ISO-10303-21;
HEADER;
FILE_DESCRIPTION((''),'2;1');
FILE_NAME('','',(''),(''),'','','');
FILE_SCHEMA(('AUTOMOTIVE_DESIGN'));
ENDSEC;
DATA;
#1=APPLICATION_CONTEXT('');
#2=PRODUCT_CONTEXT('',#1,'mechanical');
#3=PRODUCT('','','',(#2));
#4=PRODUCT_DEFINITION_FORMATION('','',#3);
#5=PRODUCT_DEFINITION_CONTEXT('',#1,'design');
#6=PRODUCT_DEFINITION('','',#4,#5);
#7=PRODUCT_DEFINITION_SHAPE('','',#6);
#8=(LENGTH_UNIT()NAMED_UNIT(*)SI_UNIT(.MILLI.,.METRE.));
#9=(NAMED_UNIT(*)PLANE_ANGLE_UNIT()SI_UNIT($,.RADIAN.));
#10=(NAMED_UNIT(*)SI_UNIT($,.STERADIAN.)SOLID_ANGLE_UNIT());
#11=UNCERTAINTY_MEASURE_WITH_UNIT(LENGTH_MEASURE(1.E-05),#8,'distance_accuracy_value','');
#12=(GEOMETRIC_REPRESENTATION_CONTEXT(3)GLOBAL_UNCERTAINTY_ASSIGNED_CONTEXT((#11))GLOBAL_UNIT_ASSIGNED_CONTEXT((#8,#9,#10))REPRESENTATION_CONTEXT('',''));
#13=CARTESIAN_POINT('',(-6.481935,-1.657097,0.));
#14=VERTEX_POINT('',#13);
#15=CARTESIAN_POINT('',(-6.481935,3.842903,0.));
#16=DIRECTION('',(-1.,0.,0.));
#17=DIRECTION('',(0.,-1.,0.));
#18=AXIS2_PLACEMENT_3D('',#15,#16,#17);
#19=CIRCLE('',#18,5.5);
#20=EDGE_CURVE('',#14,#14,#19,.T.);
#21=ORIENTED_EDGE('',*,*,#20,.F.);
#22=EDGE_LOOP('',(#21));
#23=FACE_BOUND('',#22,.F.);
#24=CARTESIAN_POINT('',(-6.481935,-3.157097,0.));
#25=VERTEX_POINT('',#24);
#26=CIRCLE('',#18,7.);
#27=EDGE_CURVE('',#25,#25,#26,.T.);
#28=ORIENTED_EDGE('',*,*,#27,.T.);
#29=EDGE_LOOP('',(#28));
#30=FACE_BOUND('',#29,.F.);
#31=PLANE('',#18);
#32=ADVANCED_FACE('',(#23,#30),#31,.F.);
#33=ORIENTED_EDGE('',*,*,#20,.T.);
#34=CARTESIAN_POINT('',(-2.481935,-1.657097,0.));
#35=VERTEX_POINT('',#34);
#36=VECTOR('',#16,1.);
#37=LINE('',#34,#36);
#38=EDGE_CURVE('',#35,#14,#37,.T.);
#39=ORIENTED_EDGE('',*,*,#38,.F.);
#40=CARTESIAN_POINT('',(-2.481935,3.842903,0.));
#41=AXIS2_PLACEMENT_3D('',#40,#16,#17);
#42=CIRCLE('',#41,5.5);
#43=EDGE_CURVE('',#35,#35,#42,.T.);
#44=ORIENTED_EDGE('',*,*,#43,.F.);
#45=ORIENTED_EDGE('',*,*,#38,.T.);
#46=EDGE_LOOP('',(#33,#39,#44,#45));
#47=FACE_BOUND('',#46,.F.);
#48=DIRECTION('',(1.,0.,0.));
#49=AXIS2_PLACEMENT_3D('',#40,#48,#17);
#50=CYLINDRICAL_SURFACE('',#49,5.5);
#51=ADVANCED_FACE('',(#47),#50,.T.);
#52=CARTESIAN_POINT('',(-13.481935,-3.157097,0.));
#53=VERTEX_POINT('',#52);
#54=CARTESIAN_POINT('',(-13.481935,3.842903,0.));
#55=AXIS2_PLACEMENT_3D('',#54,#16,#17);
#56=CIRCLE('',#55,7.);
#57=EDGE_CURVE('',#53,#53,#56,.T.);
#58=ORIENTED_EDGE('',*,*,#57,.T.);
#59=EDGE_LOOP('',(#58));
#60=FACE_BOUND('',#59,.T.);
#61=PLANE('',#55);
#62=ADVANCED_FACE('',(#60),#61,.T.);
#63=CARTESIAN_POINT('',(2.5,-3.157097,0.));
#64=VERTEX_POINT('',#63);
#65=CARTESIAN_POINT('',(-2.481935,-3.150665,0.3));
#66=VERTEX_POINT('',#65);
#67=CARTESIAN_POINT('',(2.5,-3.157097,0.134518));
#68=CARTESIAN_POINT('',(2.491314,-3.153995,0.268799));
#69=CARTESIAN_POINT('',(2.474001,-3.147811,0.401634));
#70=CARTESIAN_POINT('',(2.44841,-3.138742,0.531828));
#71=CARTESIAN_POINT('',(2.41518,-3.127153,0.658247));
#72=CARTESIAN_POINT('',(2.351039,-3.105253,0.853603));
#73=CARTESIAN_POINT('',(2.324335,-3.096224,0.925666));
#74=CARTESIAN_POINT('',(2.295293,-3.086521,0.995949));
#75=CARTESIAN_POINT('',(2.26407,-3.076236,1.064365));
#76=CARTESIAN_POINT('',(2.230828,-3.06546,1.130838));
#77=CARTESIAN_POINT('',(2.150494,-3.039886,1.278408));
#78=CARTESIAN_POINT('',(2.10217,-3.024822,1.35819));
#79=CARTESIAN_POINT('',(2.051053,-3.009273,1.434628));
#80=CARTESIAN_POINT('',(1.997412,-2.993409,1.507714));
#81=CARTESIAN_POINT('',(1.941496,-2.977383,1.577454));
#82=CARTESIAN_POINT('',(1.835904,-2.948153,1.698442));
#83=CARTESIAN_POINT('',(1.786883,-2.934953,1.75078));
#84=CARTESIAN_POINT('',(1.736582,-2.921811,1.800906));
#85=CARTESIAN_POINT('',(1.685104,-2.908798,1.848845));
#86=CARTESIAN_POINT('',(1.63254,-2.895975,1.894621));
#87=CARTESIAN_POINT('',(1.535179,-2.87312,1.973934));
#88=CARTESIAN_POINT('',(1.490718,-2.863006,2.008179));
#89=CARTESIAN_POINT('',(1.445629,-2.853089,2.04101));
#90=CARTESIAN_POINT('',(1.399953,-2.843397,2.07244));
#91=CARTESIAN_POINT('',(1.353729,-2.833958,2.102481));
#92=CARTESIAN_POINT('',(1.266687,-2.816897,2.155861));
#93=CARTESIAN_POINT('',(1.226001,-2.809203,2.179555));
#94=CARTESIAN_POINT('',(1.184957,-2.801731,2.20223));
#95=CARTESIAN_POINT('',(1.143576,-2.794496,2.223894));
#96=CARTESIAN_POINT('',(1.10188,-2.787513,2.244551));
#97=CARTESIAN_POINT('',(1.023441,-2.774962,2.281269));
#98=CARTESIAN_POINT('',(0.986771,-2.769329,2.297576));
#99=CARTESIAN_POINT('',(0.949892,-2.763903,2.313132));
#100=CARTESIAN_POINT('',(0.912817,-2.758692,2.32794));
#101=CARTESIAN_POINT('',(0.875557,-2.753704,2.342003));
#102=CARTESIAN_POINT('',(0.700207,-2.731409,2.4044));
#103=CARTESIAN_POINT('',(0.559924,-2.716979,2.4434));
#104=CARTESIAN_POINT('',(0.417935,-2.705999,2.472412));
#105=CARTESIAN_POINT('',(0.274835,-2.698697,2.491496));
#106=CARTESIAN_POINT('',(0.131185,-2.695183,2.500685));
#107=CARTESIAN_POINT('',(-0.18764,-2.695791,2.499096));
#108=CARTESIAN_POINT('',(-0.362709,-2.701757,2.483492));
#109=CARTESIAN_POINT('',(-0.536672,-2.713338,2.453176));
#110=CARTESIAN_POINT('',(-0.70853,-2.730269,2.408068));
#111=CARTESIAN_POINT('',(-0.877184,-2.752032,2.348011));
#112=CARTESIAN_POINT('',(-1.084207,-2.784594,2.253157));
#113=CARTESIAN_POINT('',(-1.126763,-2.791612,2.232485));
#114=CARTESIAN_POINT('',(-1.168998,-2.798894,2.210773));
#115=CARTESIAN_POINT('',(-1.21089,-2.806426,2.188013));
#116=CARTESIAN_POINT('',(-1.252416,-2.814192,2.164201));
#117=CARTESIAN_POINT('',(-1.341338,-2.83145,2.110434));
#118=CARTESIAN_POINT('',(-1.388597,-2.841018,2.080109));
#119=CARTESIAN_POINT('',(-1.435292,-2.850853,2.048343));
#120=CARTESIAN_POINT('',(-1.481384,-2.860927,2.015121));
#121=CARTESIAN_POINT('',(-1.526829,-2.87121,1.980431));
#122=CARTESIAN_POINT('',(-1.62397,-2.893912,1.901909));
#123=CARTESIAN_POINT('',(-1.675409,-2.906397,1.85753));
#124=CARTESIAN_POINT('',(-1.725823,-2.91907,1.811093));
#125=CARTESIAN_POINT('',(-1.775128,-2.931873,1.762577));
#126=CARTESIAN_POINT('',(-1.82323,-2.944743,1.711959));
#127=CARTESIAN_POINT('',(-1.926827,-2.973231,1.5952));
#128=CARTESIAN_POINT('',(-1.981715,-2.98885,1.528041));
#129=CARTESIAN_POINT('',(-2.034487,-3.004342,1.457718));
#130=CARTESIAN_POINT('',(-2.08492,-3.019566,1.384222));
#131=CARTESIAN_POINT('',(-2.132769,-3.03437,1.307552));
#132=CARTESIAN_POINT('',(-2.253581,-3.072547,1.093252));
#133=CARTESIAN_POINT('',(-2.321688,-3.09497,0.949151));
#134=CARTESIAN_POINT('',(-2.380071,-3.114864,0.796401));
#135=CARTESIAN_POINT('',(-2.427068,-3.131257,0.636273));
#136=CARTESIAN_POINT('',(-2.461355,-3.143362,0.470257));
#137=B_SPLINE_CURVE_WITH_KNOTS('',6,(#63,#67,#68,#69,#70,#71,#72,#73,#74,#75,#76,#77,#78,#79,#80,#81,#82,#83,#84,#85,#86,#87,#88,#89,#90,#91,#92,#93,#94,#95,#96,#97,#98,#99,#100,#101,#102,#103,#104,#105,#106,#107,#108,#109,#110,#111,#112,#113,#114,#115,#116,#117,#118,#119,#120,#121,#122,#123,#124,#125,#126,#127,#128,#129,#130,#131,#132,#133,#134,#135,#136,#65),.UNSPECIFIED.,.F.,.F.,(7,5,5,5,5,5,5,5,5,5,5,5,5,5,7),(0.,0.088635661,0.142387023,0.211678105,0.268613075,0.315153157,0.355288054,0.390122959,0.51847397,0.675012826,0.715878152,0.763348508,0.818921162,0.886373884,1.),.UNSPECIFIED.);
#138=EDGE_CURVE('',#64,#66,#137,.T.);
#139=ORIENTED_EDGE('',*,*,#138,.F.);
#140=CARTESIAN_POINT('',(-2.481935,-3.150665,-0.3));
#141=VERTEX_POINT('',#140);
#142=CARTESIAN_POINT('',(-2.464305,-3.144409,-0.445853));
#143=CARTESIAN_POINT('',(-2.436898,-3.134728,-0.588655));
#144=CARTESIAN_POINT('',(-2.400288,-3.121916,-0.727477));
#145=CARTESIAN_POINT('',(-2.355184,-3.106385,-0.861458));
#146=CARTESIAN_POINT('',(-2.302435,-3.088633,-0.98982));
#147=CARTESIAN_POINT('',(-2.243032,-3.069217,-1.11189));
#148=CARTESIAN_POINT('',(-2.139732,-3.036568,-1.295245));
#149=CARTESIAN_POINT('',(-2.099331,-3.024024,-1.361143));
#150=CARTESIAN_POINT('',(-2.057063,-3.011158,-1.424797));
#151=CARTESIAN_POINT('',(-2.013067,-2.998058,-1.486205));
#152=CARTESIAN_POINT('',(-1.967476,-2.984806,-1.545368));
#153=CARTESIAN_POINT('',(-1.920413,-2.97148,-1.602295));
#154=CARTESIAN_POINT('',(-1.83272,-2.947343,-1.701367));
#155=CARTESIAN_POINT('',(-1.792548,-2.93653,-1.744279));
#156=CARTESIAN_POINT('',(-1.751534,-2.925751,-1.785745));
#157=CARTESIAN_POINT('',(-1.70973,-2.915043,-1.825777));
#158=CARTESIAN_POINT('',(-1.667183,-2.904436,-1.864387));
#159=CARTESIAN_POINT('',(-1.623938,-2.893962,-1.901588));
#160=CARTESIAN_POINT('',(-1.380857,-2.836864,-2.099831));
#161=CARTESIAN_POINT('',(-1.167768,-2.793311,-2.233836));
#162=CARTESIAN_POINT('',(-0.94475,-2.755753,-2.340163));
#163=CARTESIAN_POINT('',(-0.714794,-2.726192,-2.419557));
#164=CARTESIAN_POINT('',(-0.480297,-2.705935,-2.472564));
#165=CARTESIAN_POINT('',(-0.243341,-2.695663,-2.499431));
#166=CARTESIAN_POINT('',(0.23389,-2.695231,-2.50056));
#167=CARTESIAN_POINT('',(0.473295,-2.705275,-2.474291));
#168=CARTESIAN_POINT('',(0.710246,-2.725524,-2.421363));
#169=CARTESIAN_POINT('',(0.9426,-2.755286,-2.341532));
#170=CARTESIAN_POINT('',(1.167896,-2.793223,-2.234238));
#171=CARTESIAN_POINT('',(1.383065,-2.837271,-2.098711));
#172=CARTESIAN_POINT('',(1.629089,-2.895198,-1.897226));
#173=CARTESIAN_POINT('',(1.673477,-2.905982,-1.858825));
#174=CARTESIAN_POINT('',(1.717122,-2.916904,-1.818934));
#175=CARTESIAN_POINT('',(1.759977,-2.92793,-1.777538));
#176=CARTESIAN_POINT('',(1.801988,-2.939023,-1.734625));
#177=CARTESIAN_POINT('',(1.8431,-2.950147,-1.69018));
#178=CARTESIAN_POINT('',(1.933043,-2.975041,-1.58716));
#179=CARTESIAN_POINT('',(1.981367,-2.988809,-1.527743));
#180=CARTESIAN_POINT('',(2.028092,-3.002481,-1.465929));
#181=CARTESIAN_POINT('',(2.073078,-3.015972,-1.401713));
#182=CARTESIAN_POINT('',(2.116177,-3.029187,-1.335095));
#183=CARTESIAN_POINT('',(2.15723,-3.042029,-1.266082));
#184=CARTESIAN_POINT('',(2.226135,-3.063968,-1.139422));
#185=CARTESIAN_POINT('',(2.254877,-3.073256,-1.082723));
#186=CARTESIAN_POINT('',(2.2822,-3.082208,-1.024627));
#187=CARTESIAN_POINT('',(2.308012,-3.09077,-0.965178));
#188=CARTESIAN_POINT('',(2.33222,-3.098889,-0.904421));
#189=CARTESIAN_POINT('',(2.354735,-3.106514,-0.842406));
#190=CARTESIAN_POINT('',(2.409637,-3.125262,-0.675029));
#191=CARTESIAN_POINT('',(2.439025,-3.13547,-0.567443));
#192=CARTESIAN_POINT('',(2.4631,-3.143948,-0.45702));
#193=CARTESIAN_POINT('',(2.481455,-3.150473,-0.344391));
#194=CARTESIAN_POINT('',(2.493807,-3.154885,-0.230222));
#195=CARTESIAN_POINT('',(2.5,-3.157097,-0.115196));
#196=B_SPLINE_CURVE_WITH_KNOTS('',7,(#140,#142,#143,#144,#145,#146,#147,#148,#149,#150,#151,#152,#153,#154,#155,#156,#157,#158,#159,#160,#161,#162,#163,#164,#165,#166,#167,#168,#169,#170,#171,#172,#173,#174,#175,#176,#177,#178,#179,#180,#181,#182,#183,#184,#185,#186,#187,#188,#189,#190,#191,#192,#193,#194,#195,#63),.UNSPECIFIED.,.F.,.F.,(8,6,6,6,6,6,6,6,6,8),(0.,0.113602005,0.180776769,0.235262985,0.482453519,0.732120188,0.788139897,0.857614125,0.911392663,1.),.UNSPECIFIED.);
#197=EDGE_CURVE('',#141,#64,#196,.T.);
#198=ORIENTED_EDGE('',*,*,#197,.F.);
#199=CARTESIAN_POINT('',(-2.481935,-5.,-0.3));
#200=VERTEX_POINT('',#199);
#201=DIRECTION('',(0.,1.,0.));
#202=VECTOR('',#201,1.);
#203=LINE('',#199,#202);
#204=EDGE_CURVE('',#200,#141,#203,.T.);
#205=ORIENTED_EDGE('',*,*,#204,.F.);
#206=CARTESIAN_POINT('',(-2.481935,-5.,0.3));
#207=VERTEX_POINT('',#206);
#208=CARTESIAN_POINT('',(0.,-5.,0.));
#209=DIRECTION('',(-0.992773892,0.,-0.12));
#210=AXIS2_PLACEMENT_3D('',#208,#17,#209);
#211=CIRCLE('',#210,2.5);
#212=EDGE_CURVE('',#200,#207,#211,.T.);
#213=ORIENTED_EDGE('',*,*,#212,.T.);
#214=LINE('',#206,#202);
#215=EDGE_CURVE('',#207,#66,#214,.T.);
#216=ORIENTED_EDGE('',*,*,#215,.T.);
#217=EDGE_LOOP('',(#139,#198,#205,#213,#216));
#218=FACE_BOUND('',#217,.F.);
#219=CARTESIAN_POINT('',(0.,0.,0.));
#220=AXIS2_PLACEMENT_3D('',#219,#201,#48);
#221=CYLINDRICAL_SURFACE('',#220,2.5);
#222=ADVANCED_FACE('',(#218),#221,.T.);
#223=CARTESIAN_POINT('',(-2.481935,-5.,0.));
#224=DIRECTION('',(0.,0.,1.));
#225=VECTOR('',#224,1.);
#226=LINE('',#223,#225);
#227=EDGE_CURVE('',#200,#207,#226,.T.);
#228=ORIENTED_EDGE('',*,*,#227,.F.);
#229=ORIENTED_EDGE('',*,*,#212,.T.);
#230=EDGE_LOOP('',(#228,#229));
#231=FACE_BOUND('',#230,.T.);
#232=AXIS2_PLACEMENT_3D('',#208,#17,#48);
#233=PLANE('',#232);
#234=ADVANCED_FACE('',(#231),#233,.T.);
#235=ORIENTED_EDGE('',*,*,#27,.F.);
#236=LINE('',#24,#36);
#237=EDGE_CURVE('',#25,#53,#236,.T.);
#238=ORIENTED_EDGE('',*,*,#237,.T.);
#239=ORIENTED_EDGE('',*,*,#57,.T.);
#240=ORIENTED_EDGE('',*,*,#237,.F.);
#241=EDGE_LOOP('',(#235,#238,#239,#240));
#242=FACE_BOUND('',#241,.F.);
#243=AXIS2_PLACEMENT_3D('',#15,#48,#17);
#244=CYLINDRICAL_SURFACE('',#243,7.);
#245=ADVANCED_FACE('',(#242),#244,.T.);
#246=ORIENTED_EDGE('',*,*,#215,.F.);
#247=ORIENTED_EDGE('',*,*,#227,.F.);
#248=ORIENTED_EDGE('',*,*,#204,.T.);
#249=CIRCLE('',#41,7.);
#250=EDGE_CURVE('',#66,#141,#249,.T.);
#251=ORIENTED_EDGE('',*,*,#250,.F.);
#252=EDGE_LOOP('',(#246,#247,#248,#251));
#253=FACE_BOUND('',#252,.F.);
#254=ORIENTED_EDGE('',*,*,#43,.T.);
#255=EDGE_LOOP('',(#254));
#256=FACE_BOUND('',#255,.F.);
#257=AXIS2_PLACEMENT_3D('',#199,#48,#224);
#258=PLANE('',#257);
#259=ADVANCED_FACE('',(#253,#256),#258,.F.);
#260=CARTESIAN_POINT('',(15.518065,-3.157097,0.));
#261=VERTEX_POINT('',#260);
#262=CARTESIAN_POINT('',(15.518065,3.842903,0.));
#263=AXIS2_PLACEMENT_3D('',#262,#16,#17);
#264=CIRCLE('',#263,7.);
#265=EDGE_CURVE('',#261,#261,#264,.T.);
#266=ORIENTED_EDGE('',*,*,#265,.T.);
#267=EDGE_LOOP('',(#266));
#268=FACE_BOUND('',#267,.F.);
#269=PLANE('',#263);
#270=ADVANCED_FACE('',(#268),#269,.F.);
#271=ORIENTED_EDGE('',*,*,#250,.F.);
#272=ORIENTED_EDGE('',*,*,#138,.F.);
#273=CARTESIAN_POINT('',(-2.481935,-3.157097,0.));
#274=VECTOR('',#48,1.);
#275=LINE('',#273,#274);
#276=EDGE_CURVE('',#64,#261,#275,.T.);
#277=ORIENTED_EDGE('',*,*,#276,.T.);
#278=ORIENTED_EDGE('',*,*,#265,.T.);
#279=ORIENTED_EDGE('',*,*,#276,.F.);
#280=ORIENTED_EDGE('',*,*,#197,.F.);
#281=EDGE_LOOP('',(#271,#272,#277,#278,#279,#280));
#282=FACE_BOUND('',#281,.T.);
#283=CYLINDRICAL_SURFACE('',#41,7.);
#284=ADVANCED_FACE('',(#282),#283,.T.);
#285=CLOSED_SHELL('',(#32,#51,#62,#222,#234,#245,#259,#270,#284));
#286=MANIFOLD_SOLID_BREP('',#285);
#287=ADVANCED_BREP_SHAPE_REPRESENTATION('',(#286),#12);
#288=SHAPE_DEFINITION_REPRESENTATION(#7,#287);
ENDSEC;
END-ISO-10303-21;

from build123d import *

# Parameters (mm, degrees)
F0_R     = 2.5
F1_DEPTH = 5
F2_W     = 0.1429862286
F2_H     = 0.6
F3_DEPTH = 25
F4_R     = 7
F5_DEPTH = 18
F6_R     = 5.5
F7_DEPTH = 4
F8_R     = 7
F9_DEPTH = 7


with BuildPart() as f1:
    # F0 (on Front) → F1 (new body)
    with BuildSketch(Plane.XZ):
        Circle(F0_R)
    extrude(amount=F1_DEPTH)

    # F2 (on face) → F3 (cut)
    with BuildSketch(Plane.XZ.offset(5)):
        with Locations((-2.5534278435, 0)):
            Rectangle(F2_W, F2_H)
    extrude(amount=-F3_DEPTH, mode=Mode.SUBTRACT)

    # F4 (on face) → F5 (join)
    with BuildSketch(Plane(origin=(-2.4819347292, 0, 0), x_dir=(0, -1, 0), z_dir=(-1, 0, 0))):
        with Locations((-3.8429031865, 0)):
            Circle(F4_R)
    extrude(amount=-F5_DEPTH)

    # F6 (on face) → F7 (join)
    with BuildSketch(Plane(origin=(-2.4819347292, 0, 0), x_dir=(0, -1, 0), z_dir=(-1, 0, 0))):
        with Locations((-3.8429031865, 0)):
            Circle(F6_R)
    extrude(amount=F7_DEPTH)

    # F8 (on face) → F9 (join)
    with BuildSketch(Plane(origin=(-6.4819347292, 0, 0), x_dir=(0, -1, 0), z_dir=(-1, 0, 0))):
        with Locations((-3.8429031865, 0)):
            Circle(F8_R)
    extrude(amount=F9_DEPTH)


solid = f1.part
